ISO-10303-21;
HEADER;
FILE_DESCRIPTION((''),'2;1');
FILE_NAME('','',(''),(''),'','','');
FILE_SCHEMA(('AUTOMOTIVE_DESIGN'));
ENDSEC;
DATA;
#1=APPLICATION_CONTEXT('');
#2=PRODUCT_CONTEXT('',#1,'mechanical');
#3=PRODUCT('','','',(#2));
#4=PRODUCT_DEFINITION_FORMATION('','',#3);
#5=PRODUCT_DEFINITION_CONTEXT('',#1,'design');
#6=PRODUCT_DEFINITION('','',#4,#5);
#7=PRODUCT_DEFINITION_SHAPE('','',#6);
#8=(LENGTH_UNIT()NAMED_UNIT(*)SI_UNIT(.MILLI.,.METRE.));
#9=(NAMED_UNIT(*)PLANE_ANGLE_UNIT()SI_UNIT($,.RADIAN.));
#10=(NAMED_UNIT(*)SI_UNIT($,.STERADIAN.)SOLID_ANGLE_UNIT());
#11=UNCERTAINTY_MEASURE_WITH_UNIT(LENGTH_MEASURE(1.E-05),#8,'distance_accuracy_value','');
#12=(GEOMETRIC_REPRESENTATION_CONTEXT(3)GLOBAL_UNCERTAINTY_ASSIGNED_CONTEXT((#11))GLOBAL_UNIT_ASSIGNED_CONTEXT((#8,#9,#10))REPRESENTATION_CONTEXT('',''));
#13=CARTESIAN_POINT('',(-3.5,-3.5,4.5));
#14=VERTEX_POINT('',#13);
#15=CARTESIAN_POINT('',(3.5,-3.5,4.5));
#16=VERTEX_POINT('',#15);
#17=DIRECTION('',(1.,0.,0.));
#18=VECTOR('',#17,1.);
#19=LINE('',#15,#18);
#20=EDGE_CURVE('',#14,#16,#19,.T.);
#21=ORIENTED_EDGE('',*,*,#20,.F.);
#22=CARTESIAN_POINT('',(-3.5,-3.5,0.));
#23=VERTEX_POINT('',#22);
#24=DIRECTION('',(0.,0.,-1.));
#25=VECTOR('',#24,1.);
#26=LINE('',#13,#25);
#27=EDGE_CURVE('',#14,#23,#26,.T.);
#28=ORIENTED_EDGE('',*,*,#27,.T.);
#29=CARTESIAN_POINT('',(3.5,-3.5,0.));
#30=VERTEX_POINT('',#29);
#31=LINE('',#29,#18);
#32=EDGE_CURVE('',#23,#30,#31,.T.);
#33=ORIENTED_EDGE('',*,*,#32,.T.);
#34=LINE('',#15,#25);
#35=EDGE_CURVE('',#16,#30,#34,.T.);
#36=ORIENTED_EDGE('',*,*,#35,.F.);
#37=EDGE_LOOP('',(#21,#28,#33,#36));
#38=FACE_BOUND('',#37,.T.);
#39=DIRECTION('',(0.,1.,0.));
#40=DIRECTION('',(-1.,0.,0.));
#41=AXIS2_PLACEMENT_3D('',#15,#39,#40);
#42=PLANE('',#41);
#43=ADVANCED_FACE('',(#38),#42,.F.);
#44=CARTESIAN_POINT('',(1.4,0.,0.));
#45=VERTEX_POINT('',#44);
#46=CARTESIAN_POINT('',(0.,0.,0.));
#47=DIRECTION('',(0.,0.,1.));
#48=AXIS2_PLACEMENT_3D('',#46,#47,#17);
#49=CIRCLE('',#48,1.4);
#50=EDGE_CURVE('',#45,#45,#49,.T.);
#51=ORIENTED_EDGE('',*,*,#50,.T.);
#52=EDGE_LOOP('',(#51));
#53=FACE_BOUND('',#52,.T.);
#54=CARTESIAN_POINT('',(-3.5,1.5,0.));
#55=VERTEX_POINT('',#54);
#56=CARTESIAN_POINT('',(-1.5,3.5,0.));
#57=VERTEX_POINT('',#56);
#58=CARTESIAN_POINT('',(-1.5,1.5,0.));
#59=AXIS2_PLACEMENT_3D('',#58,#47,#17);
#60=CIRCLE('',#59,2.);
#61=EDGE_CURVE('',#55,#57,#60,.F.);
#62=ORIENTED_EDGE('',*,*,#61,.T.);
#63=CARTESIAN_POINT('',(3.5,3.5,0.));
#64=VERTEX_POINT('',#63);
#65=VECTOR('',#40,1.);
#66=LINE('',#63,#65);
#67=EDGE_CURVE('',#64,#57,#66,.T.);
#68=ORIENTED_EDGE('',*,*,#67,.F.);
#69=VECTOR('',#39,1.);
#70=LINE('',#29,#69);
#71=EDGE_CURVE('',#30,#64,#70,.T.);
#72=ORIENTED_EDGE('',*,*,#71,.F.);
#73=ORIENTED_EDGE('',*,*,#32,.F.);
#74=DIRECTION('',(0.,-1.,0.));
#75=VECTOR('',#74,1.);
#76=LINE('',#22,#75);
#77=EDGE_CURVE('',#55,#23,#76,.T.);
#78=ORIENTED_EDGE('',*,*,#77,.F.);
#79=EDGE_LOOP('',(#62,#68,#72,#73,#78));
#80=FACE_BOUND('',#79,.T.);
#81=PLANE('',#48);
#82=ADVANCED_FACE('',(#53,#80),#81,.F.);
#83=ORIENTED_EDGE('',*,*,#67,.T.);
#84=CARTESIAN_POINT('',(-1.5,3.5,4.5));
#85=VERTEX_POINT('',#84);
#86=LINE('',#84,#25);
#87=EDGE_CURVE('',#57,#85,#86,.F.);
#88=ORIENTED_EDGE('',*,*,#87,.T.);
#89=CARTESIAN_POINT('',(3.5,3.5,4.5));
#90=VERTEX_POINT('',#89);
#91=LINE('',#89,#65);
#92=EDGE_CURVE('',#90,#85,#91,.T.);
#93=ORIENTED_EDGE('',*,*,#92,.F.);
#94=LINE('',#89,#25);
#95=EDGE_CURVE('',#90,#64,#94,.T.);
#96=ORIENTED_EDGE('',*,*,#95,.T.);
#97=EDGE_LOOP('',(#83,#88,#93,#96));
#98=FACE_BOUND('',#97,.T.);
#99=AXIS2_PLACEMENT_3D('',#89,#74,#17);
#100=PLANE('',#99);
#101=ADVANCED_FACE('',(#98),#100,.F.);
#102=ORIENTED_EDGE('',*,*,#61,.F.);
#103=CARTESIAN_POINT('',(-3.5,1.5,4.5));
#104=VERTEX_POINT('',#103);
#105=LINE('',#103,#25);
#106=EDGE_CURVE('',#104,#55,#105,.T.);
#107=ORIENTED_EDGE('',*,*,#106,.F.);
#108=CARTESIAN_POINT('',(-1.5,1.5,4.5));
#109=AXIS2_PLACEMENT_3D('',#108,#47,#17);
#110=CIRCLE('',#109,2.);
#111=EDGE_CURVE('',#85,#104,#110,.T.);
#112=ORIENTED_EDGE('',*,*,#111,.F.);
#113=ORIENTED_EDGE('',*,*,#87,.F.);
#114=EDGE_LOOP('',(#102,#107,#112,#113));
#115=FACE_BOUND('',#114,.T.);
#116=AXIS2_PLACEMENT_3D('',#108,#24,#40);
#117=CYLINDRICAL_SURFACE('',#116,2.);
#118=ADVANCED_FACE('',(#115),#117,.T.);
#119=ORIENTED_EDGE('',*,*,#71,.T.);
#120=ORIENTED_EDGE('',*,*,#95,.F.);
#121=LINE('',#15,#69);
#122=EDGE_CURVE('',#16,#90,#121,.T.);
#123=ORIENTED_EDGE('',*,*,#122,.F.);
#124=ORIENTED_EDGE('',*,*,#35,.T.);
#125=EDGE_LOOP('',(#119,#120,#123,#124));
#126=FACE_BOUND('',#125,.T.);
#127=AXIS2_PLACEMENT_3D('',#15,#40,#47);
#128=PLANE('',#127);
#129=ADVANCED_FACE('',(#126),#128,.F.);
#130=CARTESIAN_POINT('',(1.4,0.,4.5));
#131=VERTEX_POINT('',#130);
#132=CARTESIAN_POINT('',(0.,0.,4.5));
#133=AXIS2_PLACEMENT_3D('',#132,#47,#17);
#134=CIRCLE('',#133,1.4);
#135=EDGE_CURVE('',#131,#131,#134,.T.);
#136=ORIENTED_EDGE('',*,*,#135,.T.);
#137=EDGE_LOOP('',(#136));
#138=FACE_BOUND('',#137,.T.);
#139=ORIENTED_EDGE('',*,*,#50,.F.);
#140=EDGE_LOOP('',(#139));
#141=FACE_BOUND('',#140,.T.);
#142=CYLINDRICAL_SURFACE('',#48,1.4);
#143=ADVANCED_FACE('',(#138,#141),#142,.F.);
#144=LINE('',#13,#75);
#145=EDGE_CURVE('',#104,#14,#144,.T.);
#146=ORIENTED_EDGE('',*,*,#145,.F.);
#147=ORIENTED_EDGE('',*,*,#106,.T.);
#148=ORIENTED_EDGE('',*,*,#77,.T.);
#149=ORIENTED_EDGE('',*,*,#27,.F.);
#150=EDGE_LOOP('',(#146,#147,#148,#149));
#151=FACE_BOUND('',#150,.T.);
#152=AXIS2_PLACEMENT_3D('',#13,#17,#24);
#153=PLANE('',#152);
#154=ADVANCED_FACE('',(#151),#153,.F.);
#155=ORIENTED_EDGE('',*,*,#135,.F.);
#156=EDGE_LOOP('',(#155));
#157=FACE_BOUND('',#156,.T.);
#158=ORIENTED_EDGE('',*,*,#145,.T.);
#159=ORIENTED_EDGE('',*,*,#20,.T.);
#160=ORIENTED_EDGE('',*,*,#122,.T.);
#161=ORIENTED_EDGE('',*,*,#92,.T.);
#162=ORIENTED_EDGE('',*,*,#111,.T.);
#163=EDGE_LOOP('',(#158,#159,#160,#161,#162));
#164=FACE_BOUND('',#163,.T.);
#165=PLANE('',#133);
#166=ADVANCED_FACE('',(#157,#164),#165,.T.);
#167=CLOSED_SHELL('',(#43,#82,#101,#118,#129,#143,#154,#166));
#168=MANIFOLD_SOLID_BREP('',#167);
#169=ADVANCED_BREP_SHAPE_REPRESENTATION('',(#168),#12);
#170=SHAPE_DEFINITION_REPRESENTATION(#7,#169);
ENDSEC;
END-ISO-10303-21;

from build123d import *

# Parameters (mm, degrees)
SKETCH1_W           = 7
SKETCH1_H           = 7
BOSS_EXTRUDE1_DEPTH = 4.5
SKETCH2_R           = 1.4
CUT_EXTRUDE1_DEPTH  = 7.68954408
FILLET1_R           = 2


with BuildPart() as part:
    # Sketch1 → Boss-Extrude1 (new body)
    with BuildSketch(Plane.XY):
        Rectangle(SKETCH1_W, SKETCH1_H)
    extrude(amount=BOSS_EXTRUDE1_DEPTH)

    # Sketch2 → Cut-Extrude1 (cut, through all)
    with BuildSketch(Plane.XY.offset(4.5)):
        Circle(SKETCH2_R)
    extrude(amount=-CUT_EXTRUDE1_DEPTH, mode=Mode.SUBTRACT)

    # Fillet1
    fillet1_edges = [part.edges().sort_by_distance(p)[0] for p in [
        (-3.5, 3.5, 2.25),
    ]]
    fillet(fillet1_edges, radius=FILLET1_R)


solid = part.part
